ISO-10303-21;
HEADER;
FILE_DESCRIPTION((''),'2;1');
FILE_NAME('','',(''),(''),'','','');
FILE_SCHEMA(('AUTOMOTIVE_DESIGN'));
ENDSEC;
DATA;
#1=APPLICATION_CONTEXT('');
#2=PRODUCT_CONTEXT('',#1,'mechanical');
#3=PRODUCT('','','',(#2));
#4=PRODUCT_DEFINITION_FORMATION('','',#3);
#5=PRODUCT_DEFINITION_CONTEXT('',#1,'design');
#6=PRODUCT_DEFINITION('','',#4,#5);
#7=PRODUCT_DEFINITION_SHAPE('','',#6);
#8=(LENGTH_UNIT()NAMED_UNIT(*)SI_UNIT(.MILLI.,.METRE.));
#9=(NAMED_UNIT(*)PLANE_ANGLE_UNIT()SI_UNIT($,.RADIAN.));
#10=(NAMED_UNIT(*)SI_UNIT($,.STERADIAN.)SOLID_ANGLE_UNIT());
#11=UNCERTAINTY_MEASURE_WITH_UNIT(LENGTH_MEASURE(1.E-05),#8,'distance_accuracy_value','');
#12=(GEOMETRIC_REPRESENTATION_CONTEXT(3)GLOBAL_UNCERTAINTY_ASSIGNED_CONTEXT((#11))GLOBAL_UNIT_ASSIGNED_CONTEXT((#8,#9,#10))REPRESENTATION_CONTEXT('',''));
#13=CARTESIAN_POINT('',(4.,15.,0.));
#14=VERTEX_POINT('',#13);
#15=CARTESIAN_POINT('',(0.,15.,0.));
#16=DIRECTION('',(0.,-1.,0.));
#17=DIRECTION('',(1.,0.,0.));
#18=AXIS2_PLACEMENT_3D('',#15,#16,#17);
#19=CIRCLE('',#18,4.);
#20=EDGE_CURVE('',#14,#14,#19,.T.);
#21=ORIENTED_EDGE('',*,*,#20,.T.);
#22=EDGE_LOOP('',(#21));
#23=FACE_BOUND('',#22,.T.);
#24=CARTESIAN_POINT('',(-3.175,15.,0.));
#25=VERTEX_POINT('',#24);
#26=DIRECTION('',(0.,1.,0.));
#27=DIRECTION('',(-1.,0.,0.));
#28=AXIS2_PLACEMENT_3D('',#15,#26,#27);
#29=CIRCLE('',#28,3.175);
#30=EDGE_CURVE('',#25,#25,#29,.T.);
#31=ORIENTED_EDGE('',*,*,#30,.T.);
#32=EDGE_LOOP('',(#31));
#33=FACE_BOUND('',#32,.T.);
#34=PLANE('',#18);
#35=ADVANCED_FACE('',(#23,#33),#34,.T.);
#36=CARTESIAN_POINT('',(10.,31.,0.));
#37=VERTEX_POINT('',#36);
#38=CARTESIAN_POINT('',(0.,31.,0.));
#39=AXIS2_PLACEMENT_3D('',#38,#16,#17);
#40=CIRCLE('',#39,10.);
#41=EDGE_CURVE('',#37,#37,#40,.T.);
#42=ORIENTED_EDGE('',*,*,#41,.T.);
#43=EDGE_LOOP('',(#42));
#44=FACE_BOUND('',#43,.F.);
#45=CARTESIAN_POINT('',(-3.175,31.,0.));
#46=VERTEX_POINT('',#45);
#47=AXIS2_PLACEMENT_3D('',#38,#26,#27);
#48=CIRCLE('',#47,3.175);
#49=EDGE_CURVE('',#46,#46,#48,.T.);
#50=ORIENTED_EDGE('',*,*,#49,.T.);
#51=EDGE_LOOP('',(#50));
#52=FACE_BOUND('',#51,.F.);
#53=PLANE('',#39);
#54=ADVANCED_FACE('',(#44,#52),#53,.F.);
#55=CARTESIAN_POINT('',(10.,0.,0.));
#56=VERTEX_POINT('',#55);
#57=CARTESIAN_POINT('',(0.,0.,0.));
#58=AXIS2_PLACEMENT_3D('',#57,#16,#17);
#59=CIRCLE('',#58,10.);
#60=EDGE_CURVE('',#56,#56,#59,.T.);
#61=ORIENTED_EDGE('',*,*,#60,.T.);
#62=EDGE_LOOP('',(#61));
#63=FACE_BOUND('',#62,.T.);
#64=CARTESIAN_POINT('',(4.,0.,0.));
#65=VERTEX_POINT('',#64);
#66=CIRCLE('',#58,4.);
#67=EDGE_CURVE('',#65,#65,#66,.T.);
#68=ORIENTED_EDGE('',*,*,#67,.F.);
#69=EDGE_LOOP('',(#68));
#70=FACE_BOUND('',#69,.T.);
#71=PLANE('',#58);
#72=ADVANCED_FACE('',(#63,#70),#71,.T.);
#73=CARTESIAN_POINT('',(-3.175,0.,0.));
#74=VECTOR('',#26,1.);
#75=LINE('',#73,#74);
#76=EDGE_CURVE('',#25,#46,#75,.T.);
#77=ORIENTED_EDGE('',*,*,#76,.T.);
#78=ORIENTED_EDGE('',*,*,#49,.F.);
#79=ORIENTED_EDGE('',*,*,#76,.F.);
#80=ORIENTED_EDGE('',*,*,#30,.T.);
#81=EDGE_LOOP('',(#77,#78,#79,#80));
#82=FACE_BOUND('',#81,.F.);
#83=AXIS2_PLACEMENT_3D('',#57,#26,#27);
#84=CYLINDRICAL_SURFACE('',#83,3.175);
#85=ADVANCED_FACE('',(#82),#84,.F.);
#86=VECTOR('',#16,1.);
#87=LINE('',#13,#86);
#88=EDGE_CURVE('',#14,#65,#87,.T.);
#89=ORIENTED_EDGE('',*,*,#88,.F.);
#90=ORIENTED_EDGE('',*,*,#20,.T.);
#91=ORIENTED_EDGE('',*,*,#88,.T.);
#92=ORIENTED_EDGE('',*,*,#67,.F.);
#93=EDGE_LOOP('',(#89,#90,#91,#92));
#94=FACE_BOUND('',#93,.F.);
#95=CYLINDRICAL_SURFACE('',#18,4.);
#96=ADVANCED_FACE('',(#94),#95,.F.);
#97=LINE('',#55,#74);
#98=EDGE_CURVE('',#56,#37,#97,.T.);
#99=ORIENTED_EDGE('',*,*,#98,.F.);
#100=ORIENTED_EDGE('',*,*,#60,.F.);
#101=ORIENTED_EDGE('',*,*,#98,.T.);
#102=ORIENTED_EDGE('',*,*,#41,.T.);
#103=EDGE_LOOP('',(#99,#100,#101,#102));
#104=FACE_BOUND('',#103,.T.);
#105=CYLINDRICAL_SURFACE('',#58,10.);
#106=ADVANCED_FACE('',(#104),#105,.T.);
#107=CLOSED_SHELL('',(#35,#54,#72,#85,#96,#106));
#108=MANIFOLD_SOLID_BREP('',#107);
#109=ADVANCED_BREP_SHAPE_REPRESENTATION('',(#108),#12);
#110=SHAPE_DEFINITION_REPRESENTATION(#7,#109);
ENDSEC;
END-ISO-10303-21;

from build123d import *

# Parameters (mm, degrees)
F0_R           = 10
F1_DEPTH       = 31
F3_D           = 6.35
F3_CBORE_D     = 8
F3_CBORE_DEPTH = 15


with BuildPart() as f1:
    # F0 (on Front) → F1 (new body)
    with BuildSketch(Plane.XZ):
        Circle(F0_R)
    extrude(amount=-F1_DEPTH)

    # F3 (through all)
    with Locations(Plane.XZ):
        with Locations((0, 0)):
            CounterBoreHole(F3_D / 2, F3_CBORE_D / 2, F3_CBORE_DEPTH)


solid = f1.part
